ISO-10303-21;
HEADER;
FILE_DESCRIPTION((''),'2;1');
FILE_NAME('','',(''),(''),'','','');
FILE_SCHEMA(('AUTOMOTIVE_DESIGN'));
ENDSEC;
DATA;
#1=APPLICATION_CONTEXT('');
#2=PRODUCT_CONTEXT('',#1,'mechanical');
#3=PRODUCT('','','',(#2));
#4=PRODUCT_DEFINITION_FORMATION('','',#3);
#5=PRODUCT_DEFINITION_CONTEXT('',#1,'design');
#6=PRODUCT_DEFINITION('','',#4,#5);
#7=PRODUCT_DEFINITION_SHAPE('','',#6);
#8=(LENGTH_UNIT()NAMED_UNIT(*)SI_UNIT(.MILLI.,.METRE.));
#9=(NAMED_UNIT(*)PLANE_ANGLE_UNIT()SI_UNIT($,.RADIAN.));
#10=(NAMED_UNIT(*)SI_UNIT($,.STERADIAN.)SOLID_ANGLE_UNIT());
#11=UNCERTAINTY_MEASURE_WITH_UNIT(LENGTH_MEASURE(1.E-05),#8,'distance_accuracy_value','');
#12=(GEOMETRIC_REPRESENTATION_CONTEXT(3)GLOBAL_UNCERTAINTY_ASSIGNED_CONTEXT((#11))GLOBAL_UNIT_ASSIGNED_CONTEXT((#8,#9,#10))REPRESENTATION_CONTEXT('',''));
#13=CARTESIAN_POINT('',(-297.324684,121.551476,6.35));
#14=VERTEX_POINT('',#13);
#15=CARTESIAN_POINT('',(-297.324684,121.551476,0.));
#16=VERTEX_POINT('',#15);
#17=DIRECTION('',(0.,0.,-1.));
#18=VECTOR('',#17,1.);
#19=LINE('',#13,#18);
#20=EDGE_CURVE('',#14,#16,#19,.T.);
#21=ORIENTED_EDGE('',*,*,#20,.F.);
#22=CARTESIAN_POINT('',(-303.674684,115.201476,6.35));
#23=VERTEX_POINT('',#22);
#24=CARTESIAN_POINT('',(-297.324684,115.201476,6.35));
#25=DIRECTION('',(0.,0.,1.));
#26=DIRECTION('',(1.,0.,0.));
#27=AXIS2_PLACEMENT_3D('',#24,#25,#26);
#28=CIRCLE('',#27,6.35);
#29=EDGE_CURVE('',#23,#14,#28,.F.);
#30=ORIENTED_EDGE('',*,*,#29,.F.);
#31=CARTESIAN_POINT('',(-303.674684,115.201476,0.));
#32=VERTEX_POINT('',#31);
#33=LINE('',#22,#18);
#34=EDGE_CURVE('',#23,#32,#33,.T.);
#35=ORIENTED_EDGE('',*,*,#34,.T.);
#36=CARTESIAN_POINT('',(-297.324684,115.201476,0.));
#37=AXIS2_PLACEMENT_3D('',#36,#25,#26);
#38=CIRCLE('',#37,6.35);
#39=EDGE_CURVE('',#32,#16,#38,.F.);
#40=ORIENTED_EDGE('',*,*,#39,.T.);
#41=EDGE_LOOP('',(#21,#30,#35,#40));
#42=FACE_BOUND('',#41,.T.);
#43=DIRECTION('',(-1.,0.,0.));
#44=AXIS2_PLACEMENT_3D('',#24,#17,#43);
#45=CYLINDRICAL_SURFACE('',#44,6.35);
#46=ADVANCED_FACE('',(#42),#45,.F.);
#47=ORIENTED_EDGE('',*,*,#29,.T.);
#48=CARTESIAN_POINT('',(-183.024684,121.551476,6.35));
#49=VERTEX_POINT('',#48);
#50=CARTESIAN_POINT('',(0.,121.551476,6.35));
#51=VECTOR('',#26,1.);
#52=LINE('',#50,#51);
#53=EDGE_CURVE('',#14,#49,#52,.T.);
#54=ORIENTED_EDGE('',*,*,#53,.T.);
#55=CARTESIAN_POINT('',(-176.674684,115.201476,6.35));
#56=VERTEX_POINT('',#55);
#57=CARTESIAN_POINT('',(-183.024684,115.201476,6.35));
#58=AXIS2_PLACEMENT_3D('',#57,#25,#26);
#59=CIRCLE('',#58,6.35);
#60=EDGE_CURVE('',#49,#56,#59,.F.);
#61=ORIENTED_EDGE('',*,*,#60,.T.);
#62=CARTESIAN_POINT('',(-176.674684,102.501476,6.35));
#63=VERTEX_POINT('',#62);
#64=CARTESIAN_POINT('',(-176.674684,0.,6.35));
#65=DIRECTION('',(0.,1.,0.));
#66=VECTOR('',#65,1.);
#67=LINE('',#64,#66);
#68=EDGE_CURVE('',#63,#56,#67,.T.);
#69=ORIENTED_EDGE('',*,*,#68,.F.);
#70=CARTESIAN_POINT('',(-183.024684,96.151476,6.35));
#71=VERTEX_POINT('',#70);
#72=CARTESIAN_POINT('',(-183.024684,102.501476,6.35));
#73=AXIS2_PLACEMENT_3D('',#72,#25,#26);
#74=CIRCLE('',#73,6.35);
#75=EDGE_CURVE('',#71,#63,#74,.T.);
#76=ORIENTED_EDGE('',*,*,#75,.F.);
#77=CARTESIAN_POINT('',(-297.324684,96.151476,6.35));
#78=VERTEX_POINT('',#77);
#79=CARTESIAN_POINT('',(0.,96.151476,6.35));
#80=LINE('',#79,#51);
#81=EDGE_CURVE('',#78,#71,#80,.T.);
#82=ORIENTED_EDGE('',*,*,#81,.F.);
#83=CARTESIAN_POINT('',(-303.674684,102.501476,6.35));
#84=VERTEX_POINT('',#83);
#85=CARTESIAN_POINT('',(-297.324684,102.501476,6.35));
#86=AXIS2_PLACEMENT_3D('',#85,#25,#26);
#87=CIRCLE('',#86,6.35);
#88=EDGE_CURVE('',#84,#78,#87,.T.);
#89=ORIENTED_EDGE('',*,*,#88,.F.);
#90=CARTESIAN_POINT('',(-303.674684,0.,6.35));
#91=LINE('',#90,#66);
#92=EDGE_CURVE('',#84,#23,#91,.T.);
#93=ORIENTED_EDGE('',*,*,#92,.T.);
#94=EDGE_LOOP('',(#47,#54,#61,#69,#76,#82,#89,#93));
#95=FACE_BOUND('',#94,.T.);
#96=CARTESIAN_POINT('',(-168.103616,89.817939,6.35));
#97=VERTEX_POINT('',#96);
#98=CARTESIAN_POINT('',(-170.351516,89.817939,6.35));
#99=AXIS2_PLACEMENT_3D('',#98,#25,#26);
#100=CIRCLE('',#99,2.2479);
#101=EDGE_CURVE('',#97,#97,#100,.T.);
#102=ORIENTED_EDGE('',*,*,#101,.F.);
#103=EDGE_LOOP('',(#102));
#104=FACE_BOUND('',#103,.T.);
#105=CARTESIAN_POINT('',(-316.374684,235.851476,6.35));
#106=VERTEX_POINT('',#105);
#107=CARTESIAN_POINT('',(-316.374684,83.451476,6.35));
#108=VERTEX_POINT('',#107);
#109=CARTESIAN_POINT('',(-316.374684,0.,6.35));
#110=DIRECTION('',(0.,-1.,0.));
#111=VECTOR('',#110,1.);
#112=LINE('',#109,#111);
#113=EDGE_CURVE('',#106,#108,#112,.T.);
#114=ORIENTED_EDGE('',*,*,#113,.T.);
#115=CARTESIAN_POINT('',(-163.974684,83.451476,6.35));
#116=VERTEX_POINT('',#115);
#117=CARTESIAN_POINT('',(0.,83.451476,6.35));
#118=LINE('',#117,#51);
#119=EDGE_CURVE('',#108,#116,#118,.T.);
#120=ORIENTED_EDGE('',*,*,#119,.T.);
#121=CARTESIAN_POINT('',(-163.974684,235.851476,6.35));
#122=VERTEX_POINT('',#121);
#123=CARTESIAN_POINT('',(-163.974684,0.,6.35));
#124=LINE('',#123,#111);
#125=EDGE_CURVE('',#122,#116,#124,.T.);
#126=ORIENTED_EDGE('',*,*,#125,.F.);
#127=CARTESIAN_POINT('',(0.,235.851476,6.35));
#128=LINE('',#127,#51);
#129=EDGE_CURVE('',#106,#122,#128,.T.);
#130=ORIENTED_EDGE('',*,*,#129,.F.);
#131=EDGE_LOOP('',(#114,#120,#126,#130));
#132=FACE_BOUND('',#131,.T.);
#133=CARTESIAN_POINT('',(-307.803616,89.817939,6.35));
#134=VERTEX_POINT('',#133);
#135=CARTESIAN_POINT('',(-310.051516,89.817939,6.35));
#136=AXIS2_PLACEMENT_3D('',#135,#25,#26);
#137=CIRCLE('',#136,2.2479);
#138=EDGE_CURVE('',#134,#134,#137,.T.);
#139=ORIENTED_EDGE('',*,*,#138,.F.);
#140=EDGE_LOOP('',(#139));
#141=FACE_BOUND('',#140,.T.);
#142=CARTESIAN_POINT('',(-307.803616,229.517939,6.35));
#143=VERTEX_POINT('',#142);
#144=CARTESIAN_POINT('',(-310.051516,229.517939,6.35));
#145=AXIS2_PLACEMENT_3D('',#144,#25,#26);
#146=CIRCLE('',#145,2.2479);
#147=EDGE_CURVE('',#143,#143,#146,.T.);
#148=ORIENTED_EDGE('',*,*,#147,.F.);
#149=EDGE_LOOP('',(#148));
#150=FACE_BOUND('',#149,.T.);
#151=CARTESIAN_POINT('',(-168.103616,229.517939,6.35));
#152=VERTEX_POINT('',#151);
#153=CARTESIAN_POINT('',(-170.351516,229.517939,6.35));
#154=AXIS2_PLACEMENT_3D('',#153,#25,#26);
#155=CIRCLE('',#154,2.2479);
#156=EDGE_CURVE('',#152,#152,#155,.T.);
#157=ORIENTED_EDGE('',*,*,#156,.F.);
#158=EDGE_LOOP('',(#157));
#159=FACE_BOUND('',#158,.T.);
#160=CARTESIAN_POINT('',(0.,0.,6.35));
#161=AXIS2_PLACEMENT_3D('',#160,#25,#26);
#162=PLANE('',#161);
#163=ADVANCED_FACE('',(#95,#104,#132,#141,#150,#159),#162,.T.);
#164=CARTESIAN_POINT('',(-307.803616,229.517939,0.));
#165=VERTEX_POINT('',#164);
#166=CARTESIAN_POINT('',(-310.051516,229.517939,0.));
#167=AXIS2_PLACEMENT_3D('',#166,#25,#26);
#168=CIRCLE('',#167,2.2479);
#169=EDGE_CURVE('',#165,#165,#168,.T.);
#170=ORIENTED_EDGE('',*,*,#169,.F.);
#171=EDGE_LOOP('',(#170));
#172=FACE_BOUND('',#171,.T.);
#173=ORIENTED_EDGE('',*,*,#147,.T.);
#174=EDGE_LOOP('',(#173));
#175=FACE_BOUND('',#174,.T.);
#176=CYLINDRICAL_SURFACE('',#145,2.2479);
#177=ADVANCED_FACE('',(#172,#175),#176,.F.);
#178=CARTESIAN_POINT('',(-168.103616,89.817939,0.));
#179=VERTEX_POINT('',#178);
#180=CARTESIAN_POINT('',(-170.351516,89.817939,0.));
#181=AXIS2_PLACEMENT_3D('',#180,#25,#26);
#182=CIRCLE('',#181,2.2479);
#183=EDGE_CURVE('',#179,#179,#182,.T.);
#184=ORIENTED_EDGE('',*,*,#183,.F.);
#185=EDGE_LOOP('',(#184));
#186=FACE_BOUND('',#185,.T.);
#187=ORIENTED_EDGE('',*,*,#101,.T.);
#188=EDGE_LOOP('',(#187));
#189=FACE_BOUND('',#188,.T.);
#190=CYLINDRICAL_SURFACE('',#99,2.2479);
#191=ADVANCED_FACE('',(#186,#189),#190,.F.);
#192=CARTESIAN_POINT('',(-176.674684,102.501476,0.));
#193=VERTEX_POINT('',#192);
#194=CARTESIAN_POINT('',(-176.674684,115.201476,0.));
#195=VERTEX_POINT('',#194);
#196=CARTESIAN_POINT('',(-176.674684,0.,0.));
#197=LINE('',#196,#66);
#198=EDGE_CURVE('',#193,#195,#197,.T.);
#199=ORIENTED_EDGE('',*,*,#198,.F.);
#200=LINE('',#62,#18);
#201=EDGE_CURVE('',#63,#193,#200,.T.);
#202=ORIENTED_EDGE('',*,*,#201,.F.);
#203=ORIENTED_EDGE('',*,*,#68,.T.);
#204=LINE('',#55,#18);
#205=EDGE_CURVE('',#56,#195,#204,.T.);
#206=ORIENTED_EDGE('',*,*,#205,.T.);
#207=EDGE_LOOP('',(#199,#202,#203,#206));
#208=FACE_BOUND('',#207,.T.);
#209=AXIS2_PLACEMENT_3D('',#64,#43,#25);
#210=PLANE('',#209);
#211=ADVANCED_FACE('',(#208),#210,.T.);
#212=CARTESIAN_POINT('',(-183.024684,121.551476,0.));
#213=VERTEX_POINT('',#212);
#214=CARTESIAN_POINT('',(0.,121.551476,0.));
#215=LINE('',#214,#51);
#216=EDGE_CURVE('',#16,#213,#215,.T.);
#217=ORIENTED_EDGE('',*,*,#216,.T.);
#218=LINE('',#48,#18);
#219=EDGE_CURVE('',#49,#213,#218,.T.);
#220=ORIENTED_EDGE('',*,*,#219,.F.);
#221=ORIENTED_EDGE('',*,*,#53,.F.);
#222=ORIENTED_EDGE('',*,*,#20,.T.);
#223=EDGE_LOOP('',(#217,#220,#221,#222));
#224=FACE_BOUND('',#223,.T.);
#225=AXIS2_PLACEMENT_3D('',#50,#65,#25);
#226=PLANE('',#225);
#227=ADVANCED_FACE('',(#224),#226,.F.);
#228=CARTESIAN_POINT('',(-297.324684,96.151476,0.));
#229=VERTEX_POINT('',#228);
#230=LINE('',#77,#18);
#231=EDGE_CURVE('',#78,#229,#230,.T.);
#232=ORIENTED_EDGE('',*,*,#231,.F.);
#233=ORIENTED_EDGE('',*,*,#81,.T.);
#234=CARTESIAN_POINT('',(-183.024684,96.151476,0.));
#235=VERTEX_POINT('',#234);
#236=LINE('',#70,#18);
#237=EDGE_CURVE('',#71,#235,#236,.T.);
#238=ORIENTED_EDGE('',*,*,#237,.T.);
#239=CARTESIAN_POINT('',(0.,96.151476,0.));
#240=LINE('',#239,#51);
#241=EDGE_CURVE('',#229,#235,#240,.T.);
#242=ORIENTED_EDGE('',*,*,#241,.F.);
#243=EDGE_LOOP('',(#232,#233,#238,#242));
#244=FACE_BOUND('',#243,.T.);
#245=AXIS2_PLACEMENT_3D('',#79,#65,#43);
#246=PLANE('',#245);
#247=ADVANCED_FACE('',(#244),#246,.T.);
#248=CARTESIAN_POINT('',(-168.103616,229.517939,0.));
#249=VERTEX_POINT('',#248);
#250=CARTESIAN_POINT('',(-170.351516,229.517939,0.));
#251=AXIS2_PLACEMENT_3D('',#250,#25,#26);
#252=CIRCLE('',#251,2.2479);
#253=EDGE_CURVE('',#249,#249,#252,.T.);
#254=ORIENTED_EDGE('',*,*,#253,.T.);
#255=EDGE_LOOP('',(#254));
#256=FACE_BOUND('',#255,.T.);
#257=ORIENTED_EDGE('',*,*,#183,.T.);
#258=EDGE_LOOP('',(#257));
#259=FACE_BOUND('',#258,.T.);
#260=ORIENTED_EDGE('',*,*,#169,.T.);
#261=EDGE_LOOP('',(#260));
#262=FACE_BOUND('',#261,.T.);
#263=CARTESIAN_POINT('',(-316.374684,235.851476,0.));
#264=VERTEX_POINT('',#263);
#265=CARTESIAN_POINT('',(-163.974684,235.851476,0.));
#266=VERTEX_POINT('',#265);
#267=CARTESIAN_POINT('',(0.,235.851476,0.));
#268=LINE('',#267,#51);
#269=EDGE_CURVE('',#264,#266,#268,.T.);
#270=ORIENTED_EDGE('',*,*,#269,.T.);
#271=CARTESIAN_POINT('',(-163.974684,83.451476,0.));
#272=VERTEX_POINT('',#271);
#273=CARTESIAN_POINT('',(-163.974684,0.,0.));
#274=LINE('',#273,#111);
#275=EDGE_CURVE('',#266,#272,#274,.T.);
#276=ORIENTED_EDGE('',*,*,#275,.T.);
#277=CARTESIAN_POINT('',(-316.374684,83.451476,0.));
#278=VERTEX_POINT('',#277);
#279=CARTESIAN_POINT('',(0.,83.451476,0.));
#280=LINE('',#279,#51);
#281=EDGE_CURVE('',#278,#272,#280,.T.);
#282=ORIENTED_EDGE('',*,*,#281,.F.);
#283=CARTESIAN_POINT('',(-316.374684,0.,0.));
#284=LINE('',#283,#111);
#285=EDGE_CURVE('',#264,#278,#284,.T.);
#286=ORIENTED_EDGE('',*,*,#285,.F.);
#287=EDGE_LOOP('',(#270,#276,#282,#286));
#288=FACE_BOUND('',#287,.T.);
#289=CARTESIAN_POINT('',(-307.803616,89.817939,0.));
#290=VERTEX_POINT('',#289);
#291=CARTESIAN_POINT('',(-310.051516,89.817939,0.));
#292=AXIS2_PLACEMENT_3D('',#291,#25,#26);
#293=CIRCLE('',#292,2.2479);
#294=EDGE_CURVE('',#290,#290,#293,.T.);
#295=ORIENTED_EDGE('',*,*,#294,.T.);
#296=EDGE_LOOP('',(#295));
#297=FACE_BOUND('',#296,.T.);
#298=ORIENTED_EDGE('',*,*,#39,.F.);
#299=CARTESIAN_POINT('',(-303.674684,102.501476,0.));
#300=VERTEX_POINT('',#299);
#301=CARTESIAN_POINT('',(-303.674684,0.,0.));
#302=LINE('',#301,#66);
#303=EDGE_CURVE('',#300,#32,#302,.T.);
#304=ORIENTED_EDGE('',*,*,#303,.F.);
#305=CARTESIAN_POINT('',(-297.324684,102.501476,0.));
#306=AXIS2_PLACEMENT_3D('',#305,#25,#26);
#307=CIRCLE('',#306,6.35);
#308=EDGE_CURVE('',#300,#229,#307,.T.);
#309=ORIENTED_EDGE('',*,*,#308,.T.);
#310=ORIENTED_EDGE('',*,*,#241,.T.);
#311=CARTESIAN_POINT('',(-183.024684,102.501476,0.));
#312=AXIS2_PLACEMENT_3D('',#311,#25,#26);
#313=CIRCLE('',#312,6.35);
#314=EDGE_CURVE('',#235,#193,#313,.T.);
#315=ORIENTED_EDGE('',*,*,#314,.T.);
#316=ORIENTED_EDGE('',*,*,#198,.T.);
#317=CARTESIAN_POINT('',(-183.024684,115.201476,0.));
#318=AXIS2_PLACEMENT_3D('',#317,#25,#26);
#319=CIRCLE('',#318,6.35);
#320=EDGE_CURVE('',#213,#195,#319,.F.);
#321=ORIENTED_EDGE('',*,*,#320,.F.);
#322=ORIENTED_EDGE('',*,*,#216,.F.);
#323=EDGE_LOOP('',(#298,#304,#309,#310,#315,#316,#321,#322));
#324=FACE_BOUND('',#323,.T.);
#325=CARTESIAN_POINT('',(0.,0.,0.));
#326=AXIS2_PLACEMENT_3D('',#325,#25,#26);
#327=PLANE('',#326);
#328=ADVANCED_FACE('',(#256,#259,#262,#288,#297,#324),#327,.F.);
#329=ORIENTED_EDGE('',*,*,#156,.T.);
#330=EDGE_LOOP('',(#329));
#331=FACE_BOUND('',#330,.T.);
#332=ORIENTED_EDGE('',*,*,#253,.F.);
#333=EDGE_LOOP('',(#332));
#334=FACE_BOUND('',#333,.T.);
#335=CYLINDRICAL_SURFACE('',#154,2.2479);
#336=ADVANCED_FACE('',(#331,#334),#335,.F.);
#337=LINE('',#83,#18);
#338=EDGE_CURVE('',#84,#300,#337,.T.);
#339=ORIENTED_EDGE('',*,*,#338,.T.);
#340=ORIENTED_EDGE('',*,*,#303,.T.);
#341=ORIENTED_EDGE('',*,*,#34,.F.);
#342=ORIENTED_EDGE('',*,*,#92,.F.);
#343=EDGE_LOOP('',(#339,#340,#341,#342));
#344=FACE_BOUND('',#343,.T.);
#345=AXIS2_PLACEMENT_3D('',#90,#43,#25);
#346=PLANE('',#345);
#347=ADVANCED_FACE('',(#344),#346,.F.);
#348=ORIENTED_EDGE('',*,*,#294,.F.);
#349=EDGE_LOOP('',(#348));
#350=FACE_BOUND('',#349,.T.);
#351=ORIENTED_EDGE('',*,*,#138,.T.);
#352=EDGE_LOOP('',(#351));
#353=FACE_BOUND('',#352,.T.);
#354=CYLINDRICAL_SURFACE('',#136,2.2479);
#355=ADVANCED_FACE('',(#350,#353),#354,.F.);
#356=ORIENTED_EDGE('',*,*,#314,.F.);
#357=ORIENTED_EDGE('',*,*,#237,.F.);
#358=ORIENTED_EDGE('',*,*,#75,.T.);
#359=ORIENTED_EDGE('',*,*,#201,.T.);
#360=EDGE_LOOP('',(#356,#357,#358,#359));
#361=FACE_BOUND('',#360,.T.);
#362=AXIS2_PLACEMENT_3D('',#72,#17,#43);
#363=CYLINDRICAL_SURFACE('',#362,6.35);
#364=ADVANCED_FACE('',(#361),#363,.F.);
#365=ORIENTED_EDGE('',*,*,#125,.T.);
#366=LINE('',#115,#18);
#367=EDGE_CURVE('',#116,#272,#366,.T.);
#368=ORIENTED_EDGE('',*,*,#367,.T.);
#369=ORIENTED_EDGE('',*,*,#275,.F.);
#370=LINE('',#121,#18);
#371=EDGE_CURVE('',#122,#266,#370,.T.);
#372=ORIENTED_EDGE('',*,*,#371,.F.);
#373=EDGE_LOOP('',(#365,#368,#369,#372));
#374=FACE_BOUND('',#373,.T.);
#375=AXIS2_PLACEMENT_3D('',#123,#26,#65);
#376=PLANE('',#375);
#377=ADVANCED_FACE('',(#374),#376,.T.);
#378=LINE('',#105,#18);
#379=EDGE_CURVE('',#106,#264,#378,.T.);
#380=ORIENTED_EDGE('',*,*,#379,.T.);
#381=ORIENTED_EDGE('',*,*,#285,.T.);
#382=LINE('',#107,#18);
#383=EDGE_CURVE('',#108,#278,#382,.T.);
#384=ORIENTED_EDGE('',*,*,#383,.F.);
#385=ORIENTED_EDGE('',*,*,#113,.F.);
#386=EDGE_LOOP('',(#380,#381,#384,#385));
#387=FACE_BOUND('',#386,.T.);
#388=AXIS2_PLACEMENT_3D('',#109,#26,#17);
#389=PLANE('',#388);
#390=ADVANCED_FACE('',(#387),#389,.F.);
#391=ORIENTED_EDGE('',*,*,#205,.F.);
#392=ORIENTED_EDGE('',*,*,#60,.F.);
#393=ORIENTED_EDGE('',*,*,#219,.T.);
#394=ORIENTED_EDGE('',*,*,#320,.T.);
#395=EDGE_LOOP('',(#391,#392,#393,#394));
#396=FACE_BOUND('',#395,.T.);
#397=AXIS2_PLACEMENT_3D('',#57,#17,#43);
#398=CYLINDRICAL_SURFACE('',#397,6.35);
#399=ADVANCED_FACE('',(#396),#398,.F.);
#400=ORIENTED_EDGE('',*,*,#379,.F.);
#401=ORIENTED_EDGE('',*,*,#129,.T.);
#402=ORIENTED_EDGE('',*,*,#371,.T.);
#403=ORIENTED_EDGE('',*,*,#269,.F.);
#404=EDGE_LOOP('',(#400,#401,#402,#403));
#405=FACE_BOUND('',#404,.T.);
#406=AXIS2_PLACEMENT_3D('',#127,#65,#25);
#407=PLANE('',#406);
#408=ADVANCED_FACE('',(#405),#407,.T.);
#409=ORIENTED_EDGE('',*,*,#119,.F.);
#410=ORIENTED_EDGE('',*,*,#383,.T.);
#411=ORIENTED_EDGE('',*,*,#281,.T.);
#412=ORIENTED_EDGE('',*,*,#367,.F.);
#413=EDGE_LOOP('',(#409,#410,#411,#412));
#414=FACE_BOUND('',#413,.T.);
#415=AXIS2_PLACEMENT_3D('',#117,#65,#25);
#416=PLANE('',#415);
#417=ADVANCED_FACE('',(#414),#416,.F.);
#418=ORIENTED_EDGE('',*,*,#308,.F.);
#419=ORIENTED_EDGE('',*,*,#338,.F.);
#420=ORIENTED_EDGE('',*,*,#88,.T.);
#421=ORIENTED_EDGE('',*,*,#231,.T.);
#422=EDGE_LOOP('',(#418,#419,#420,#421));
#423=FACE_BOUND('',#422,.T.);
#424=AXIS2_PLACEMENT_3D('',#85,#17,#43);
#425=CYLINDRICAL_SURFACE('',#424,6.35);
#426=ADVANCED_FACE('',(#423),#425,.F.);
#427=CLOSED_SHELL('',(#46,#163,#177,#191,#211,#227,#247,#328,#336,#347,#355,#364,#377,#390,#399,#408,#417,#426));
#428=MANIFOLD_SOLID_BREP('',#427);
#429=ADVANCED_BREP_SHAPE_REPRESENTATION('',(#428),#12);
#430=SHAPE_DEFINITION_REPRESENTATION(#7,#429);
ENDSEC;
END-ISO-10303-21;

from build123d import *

# Parameters (mm, degrees)
SKETCH1_W             = 127
SKETCH1_H             = 25.4
BOSS_EXTRUDE1_DEPTH   = 6.35
F_8_CLEARANCE_HOLE2_D = 4.4958
LPATTERN1_COUNT       = 2
LPATTERN1_PITCH       = 139.7
LPATTERN1_COUNT_DIR2  = 2
LPATTERN1_PITCH_DIR2  = 139.7


with BuildPart() as part:
    # Sketch1 → Boss-Extrude1 (new body)
    with BuildSketch(Plane.XY):
        Polygon((-163.974683544, 121.551475626), (-163.974683544, 83.451475626), (-316.374683544, 83.451475626), (-316.374683544, 121.551475626), (-316.374683544, 235.851475626), (-163.974683544, 235.851475626), align=None)
        with Locations((-240.174683544, 108.851475626)):
            Rectangle(SKETCH1_W, SKETCH1_H, mode=Mode.SUBTRACT)
        with BuildLine():
            Line((-303.674683544, 121.551475626), (-303.674683544, 115.201475626))
            ThreePointArc((-303.674683544, 115.201475626), (-301.814811605, 119.691603686), (-297.324683544, 121.551475626))
            Line((-297.324683544, 121.551475626), (-303.674683544, 121.551475626))
        make_face()
        with BuildLine():
            Line((-303.674683544, 102.501475626), (-303.674683544, 96.151475626))
            Line((-303.674683544, 96.151475626), (-297.324683544, 96.151475626))
            ThreePointArc((-297.324683544, 96.151475626), (-301.814811605, 98.011347565), (-303.674683544, 102.501475626))
        make_face()
        with BuildLine():
            ThreePointArc((-183.024683544, 121.551475626), (-178.534555484, 119.691603686), (-176.674683544, 115.201475626))
            Line((-176.674683544, 115.201475626), (-176.674683544, 121.551475626))
            Line((-176.674683544, 121.551475626), (-183.024683544, 121.551475626))
        make_face()
        with BuildLine():
            ThreePointArc((-176.674683544, 102.501475626), (-178.534555484, 98.011347565), (-183.024683544, 96.151475626))
            Line((-183.024683544, 96.151475626), (-176.674683544, 96.151475626))
            Line((-176.674683544, 96.151475626), (-176.674683544, 102.501475626))
        make_face()
    extrude(amount=BOSS_EXTRUDE1_DEPTH)

    # #8 Clearance Hole2 (through all)
    with Locations(Plane.XY.offset(6.35)):
        with Locations((-310.051516204, 229.517938536)):
            f_8_clearance_hole2 = Hole(F_8_CLEARANCE_HOLE2_D / 2)

    # LPattern1: 8 Clearance Hole2 2 × 2
    with Locations(*[(j * LPATTERN1_PITCH_DIR2, -i * LPATTERN1_PITCH, 0) for i in range(LPATTERN1_COUNT) for j in range(LPATTERN1_COUNT_DIR2) if (i, j) != (0, 0)]):
        add(f_8_clearance_hole2, mode=Mode.SUBTRACT)


solid = part.part
